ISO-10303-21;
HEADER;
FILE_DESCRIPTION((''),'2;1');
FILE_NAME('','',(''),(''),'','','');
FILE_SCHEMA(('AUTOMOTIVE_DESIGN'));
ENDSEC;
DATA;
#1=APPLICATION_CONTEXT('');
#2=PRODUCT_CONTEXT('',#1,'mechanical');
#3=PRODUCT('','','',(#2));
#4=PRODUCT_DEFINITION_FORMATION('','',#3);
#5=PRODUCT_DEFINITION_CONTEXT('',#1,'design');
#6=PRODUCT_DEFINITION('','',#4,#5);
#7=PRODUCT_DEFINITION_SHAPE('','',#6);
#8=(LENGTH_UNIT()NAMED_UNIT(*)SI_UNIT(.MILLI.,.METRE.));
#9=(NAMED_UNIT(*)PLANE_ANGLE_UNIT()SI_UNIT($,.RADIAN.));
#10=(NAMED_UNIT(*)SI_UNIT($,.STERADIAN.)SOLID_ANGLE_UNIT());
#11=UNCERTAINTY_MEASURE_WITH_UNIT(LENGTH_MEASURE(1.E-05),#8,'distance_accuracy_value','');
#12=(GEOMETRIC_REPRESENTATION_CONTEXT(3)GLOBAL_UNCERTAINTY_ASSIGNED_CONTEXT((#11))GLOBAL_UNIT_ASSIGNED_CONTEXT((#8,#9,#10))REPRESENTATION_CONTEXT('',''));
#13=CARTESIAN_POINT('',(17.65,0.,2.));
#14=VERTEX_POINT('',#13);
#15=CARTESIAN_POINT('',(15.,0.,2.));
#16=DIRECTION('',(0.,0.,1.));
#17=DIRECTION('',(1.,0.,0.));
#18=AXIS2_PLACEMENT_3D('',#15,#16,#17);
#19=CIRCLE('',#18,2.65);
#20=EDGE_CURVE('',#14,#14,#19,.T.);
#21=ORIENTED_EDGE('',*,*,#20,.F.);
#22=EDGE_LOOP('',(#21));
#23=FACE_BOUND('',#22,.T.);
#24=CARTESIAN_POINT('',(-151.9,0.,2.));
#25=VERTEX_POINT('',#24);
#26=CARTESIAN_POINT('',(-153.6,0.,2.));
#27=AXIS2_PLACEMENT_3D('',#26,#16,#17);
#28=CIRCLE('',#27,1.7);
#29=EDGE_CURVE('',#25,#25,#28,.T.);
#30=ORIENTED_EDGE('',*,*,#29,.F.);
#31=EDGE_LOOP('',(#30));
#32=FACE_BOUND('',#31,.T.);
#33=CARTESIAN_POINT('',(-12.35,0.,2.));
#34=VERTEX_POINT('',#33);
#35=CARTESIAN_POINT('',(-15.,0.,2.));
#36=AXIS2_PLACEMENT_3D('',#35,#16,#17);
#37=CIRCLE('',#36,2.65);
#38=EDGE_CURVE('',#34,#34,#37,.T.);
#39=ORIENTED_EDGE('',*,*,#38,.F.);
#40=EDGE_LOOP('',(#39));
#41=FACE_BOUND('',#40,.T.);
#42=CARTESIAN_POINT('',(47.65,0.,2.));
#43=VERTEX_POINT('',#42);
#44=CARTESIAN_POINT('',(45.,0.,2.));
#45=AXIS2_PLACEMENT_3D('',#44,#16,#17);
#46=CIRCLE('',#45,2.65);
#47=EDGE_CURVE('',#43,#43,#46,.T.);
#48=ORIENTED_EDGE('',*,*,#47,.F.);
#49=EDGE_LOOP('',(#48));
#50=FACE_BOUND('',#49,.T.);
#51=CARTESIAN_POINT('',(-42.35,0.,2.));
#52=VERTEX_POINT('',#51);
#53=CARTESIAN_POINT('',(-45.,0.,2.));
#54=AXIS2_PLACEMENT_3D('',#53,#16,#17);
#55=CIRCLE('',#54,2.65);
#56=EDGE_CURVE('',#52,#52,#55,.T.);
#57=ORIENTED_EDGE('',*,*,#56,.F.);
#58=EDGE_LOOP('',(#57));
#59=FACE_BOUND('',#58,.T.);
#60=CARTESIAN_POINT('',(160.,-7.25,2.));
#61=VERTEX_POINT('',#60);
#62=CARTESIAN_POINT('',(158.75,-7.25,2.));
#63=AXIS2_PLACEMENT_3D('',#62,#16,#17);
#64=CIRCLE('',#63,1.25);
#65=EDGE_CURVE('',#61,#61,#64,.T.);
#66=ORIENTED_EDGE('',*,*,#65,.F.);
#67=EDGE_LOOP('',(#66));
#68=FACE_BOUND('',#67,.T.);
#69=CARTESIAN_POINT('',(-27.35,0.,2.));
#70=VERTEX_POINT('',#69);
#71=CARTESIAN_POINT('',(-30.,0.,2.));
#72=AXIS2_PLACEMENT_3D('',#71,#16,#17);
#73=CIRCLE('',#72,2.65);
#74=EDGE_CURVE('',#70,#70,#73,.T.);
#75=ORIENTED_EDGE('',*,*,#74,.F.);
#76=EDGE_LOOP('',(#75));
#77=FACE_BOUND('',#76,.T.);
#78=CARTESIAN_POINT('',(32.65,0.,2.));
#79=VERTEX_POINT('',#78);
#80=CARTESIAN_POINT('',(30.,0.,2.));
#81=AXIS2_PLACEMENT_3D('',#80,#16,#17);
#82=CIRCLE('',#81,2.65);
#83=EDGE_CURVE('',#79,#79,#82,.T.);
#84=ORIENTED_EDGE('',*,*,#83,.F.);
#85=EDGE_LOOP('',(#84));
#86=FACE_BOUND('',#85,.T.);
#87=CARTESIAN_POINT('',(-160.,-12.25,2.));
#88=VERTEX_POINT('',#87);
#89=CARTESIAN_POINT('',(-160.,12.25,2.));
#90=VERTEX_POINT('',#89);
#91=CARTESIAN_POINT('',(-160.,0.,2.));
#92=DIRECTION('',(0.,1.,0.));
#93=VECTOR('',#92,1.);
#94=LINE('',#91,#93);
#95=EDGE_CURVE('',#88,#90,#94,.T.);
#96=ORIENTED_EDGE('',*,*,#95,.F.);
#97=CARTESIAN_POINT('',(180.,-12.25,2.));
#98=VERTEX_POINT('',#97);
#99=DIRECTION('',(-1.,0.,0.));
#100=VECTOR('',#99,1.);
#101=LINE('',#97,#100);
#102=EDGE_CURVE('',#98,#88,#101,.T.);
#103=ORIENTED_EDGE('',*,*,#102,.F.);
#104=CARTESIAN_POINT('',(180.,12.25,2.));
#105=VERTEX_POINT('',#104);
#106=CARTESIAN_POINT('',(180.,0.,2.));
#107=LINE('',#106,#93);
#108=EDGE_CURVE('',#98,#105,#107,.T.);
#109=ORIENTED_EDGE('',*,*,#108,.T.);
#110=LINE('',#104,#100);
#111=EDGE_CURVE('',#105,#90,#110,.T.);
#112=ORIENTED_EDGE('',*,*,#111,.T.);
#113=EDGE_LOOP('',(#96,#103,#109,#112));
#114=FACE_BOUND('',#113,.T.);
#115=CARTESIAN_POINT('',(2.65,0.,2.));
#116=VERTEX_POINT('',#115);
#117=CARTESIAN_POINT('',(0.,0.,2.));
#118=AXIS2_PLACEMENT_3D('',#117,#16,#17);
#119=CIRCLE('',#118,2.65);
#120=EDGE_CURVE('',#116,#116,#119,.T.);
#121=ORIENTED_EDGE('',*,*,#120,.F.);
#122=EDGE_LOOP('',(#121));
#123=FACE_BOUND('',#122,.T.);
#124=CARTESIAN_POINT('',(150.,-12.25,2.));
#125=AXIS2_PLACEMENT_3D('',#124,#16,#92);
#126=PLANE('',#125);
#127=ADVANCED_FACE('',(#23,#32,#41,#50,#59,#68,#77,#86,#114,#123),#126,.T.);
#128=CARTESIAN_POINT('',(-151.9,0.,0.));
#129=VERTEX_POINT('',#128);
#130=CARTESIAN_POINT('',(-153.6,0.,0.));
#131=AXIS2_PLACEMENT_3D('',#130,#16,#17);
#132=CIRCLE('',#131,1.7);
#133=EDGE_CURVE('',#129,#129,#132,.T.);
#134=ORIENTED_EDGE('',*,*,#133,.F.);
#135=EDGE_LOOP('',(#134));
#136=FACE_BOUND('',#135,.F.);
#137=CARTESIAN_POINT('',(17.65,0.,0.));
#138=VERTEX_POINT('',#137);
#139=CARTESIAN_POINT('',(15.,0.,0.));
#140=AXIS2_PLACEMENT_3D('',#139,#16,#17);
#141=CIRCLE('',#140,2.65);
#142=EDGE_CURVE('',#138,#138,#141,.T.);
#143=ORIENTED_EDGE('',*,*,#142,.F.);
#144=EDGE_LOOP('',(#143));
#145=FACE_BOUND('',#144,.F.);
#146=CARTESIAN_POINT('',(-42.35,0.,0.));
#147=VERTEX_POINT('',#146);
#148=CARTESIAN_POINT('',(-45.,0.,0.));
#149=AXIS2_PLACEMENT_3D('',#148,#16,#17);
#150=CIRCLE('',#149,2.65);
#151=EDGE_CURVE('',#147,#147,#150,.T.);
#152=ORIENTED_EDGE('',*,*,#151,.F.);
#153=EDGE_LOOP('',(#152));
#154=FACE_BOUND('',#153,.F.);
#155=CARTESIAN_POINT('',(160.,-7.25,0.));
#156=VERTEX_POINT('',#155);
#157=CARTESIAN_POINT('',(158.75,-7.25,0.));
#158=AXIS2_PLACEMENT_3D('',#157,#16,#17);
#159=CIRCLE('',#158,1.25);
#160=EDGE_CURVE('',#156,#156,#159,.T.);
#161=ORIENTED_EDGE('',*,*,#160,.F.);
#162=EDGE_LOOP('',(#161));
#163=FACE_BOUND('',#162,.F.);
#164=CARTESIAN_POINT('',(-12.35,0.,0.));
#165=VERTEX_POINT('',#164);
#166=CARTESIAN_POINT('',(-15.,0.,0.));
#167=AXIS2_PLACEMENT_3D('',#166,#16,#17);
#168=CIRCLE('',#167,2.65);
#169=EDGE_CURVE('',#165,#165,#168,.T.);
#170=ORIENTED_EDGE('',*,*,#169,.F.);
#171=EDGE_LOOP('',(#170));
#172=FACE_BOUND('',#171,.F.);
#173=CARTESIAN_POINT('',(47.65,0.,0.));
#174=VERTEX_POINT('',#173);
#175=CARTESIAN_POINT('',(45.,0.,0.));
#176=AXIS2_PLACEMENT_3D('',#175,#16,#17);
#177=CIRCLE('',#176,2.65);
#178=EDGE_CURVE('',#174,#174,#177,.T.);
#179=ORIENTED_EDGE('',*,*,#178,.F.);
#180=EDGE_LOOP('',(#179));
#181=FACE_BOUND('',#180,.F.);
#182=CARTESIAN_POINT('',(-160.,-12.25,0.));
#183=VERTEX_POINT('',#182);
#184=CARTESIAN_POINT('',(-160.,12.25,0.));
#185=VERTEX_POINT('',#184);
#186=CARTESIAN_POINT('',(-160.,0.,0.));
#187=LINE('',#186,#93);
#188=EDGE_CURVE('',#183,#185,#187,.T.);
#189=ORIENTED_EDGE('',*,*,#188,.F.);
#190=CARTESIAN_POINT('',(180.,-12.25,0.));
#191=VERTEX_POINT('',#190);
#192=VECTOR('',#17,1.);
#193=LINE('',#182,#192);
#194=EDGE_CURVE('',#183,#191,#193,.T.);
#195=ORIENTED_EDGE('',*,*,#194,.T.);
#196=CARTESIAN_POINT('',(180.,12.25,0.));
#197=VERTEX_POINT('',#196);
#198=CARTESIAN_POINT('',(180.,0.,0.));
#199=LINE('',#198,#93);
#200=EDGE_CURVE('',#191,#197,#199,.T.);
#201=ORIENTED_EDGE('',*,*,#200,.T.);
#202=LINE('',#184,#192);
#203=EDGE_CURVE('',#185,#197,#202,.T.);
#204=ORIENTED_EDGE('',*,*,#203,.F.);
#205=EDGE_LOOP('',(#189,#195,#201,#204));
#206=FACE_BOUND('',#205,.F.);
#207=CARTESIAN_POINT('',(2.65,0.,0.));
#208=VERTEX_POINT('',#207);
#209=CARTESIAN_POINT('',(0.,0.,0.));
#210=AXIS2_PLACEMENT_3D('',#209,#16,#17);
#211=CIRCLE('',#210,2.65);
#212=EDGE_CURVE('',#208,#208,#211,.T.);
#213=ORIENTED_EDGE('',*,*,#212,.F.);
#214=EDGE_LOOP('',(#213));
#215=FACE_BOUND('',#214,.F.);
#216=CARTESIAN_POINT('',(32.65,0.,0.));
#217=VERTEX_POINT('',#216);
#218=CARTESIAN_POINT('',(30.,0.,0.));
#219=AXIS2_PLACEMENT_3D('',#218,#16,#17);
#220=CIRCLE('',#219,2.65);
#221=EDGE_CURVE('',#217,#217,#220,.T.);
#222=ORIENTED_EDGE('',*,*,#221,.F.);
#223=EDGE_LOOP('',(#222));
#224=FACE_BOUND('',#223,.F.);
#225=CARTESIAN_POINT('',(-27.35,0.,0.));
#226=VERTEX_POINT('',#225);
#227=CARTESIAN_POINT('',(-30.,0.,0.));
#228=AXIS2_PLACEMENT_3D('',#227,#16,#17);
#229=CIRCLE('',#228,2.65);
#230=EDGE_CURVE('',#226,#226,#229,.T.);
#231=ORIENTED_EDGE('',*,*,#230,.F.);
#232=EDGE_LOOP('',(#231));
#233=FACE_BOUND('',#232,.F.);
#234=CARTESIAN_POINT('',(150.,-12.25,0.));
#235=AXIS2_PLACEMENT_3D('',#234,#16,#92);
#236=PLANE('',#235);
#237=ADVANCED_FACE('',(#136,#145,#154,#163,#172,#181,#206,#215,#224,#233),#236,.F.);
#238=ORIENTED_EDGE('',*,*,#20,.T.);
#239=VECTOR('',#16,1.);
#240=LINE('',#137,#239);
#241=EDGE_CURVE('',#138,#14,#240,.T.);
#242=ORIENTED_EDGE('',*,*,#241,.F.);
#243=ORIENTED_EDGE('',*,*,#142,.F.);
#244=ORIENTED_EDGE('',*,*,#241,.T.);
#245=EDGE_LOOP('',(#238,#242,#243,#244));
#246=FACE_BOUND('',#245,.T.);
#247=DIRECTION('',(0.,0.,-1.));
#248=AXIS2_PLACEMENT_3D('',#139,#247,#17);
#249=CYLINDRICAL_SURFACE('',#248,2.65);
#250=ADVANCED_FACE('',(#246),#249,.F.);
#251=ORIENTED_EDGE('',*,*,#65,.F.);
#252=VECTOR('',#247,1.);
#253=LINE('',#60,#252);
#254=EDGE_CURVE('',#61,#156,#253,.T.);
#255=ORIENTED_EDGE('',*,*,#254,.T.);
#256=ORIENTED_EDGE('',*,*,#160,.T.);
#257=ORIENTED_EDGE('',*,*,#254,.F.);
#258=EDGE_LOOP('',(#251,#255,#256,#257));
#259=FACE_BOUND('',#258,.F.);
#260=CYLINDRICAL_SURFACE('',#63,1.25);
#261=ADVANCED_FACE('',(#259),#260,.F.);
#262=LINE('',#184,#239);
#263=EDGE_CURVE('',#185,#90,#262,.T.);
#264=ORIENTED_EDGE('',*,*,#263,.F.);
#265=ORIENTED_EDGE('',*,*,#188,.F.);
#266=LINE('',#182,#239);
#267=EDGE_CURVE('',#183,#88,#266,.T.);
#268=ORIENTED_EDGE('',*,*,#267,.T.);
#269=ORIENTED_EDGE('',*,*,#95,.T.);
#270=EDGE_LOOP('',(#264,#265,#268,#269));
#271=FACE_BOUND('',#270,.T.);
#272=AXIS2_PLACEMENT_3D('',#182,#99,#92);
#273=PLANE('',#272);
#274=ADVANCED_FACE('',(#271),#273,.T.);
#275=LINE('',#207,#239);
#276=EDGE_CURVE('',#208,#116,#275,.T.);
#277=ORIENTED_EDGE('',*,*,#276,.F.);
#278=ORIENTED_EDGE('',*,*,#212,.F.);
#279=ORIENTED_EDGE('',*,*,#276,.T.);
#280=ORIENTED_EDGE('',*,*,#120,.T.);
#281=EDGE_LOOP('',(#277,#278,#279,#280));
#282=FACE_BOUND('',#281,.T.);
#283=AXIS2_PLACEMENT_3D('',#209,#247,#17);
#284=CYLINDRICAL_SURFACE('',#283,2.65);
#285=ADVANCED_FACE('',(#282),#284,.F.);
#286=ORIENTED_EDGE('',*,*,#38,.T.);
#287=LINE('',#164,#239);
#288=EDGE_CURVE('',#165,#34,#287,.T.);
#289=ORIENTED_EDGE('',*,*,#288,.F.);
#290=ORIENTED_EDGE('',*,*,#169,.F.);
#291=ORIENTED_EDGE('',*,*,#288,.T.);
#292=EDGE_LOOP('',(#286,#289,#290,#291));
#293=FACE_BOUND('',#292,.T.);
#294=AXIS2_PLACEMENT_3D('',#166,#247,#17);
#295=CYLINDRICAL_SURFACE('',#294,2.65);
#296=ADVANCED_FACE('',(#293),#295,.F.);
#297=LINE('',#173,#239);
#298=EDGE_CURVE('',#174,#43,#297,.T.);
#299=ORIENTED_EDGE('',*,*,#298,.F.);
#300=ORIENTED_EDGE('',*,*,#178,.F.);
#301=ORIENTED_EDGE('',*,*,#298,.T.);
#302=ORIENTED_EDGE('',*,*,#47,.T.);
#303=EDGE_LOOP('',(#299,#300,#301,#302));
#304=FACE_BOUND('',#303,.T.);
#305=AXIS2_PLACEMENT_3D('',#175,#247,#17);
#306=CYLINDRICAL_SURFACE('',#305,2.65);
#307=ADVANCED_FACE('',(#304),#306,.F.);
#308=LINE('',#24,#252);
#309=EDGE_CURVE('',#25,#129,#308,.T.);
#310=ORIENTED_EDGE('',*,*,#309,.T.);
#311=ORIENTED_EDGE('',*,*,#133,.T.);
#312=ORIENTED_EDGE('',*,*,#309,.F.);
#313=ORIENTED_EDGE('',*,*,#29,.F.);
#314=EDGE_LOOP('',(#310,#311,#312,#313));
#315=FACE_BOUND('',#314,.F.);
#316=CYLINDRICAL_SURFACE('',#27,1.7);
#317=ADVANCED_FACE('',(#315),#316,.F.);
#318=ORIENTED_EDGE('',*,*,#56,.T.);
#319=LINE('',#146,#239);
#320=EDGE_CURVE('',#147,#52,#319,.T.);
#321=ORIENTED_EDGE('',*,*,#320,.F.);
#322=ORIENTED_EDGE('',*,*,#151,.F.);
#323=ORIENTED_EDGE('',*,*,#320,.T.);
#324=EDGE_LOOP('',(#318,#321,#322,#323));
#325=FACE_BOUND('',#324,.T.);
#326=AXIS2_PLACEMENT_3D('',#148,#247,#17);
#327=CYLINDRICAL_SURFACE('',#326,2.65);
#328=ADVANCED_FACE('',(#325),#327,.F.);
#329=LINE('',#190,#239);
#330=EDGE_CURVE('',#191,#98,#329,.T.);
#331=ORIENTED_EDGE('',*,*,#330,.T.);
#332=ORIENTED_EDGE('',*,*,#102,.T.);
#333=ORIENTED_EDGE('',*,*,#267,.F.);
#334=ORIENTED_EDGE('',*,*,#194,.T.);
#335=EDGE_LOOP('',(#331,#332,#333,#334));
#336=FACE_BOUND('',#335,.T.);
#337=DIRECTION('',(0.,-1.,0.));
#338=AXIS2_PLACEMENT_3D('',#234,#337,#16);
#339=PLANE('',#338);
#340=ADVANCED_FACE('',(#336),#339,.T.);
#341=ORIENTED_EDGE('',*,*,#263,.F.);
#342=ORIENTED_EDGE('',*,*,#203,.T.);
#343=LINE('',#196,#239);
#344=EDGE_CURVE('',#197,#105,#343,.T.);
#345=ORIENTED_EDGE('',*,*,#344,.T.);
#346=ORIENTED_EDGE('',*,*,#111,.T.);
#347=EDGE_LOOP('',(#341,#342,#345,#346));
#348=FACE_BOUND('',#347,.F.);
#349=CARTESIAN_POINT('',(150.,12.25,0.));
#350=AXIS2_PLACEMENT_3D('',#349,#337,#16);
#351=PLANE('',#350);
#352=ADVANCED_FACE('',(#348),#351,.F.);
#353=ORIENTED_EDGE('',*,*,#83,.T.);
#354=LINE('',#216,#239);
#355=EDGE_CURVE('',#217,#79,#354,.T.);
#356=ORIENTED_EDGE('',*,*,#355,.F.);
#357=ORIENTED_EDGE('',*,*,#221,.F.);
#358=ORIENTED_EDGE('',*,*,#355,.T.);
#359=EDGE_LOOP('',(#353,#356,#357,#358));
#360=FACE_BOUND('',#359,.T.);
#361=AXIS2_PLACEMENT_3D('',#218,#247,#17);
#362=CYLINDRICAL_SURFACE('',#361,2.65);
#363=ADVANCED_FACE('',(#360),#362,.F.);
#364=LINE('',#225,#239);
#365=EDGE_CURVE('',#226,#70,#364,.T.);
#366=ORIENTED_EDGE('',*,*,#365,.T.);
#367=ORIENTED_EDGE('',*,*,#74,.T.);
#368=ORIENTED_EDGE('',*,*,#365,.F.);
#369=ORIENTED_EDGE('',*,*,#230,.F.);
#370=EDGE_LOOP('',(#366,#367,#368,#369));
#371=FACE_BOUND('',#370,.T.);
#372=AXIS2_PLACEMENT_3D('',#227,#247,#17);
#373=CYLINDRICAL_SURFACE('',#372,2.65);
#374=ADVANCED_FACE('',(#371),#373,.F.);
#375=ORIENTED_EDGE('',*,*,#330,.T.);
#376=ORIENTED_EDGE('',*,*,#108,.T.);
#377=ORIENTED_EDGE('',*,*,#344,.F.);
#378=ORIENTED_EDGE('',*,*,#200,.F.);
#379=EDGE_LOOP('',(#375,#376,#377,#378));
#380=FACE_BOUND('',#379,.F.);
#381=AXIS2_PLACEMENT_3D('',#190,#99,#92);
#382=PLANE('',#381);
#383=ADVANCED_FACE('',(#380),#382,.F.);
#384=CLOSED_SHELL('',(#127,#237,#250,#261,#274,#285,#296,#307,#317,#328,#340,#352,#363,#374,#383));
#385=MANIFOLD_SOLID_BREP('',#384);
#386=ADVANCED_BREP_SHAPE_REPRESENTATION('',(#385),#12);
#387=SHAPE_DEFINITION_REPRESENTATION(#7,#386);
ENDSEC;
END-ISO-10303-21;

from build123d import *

# Parameters (mm, degrees)
F0_W     = 300
F0_H     = 24.5
F0_R     = 2.65
F1_DEPTH = 2
F2_DEPTH = 10
F3_DEPTH = 30
F4_R     = 1.7
F5_DEPTH = 2
F6_R     = 1.25
F7_DEPTH = 2


with BuildPart() as f1:
    # F0 (on Top) → F1 (new body)
    with BuildSketch(Plane.XY):
        Rectangle(F0_W, F0_H)
        with Locations((-45, 0)):
            Circle(F0_R, mode=Mode.SUBTRACT)
        with Locations((-30, 0)):
            Circle(F0_R, mode=Mode.SUBTRACT)
        with Locations((-15, 0)):
            Circle(F0_R, mode=Mode.SUBTRACT)
        Circle(F0_R, mode=Mode.SUBTRACT)
        with Locations((15, 0)):
            Circle(F0_R, mode=Mode.SUBTRACT)
        with Locations((30, 0)):
            Circle(F0_R, mode=Mode.SUBTRACT)
        with Locations((45, 0)):
            Circle(F0_R, mode=Mode.SUBTRACT)
    extrude(amount=F1_DEPTH)

    # F2 (add): a face of the model
    f2_faces = [f1.faces().sort_by_distance(p)[0] for p in [
        (-150, 0, 1),
    ]]
    extrude(f2_faces, amount=F2_DEPTH)

    # F3 (add): a face of the model
    f3_faces = [f1.faces().sort_by_distance(p)[0] for p in [
        (150, 0, 1),
    ]]
    extrude(f3_faces, amount=F3_DEPTH)

    # F4 (on face) → F5 (cut, through all)
    with BuildSketch(Plane.XY.offset(2)):
        with Locations((-153.6, 0)):
            Circle(F4_R)
    extrude(amount=-F5_DEPTH, mode=Mode.SUBTRACT)

    # F6 (on face) → F7 (cut, through all)
    with BuildSketch(Plane.XY.offset(2)):
        with Locations((158.75, -7.25)):
            Circle(F6_R)
    extrude(amount=-F7_DEPTH, mode=Mode.SUBTRACT)


solid = f1.part
